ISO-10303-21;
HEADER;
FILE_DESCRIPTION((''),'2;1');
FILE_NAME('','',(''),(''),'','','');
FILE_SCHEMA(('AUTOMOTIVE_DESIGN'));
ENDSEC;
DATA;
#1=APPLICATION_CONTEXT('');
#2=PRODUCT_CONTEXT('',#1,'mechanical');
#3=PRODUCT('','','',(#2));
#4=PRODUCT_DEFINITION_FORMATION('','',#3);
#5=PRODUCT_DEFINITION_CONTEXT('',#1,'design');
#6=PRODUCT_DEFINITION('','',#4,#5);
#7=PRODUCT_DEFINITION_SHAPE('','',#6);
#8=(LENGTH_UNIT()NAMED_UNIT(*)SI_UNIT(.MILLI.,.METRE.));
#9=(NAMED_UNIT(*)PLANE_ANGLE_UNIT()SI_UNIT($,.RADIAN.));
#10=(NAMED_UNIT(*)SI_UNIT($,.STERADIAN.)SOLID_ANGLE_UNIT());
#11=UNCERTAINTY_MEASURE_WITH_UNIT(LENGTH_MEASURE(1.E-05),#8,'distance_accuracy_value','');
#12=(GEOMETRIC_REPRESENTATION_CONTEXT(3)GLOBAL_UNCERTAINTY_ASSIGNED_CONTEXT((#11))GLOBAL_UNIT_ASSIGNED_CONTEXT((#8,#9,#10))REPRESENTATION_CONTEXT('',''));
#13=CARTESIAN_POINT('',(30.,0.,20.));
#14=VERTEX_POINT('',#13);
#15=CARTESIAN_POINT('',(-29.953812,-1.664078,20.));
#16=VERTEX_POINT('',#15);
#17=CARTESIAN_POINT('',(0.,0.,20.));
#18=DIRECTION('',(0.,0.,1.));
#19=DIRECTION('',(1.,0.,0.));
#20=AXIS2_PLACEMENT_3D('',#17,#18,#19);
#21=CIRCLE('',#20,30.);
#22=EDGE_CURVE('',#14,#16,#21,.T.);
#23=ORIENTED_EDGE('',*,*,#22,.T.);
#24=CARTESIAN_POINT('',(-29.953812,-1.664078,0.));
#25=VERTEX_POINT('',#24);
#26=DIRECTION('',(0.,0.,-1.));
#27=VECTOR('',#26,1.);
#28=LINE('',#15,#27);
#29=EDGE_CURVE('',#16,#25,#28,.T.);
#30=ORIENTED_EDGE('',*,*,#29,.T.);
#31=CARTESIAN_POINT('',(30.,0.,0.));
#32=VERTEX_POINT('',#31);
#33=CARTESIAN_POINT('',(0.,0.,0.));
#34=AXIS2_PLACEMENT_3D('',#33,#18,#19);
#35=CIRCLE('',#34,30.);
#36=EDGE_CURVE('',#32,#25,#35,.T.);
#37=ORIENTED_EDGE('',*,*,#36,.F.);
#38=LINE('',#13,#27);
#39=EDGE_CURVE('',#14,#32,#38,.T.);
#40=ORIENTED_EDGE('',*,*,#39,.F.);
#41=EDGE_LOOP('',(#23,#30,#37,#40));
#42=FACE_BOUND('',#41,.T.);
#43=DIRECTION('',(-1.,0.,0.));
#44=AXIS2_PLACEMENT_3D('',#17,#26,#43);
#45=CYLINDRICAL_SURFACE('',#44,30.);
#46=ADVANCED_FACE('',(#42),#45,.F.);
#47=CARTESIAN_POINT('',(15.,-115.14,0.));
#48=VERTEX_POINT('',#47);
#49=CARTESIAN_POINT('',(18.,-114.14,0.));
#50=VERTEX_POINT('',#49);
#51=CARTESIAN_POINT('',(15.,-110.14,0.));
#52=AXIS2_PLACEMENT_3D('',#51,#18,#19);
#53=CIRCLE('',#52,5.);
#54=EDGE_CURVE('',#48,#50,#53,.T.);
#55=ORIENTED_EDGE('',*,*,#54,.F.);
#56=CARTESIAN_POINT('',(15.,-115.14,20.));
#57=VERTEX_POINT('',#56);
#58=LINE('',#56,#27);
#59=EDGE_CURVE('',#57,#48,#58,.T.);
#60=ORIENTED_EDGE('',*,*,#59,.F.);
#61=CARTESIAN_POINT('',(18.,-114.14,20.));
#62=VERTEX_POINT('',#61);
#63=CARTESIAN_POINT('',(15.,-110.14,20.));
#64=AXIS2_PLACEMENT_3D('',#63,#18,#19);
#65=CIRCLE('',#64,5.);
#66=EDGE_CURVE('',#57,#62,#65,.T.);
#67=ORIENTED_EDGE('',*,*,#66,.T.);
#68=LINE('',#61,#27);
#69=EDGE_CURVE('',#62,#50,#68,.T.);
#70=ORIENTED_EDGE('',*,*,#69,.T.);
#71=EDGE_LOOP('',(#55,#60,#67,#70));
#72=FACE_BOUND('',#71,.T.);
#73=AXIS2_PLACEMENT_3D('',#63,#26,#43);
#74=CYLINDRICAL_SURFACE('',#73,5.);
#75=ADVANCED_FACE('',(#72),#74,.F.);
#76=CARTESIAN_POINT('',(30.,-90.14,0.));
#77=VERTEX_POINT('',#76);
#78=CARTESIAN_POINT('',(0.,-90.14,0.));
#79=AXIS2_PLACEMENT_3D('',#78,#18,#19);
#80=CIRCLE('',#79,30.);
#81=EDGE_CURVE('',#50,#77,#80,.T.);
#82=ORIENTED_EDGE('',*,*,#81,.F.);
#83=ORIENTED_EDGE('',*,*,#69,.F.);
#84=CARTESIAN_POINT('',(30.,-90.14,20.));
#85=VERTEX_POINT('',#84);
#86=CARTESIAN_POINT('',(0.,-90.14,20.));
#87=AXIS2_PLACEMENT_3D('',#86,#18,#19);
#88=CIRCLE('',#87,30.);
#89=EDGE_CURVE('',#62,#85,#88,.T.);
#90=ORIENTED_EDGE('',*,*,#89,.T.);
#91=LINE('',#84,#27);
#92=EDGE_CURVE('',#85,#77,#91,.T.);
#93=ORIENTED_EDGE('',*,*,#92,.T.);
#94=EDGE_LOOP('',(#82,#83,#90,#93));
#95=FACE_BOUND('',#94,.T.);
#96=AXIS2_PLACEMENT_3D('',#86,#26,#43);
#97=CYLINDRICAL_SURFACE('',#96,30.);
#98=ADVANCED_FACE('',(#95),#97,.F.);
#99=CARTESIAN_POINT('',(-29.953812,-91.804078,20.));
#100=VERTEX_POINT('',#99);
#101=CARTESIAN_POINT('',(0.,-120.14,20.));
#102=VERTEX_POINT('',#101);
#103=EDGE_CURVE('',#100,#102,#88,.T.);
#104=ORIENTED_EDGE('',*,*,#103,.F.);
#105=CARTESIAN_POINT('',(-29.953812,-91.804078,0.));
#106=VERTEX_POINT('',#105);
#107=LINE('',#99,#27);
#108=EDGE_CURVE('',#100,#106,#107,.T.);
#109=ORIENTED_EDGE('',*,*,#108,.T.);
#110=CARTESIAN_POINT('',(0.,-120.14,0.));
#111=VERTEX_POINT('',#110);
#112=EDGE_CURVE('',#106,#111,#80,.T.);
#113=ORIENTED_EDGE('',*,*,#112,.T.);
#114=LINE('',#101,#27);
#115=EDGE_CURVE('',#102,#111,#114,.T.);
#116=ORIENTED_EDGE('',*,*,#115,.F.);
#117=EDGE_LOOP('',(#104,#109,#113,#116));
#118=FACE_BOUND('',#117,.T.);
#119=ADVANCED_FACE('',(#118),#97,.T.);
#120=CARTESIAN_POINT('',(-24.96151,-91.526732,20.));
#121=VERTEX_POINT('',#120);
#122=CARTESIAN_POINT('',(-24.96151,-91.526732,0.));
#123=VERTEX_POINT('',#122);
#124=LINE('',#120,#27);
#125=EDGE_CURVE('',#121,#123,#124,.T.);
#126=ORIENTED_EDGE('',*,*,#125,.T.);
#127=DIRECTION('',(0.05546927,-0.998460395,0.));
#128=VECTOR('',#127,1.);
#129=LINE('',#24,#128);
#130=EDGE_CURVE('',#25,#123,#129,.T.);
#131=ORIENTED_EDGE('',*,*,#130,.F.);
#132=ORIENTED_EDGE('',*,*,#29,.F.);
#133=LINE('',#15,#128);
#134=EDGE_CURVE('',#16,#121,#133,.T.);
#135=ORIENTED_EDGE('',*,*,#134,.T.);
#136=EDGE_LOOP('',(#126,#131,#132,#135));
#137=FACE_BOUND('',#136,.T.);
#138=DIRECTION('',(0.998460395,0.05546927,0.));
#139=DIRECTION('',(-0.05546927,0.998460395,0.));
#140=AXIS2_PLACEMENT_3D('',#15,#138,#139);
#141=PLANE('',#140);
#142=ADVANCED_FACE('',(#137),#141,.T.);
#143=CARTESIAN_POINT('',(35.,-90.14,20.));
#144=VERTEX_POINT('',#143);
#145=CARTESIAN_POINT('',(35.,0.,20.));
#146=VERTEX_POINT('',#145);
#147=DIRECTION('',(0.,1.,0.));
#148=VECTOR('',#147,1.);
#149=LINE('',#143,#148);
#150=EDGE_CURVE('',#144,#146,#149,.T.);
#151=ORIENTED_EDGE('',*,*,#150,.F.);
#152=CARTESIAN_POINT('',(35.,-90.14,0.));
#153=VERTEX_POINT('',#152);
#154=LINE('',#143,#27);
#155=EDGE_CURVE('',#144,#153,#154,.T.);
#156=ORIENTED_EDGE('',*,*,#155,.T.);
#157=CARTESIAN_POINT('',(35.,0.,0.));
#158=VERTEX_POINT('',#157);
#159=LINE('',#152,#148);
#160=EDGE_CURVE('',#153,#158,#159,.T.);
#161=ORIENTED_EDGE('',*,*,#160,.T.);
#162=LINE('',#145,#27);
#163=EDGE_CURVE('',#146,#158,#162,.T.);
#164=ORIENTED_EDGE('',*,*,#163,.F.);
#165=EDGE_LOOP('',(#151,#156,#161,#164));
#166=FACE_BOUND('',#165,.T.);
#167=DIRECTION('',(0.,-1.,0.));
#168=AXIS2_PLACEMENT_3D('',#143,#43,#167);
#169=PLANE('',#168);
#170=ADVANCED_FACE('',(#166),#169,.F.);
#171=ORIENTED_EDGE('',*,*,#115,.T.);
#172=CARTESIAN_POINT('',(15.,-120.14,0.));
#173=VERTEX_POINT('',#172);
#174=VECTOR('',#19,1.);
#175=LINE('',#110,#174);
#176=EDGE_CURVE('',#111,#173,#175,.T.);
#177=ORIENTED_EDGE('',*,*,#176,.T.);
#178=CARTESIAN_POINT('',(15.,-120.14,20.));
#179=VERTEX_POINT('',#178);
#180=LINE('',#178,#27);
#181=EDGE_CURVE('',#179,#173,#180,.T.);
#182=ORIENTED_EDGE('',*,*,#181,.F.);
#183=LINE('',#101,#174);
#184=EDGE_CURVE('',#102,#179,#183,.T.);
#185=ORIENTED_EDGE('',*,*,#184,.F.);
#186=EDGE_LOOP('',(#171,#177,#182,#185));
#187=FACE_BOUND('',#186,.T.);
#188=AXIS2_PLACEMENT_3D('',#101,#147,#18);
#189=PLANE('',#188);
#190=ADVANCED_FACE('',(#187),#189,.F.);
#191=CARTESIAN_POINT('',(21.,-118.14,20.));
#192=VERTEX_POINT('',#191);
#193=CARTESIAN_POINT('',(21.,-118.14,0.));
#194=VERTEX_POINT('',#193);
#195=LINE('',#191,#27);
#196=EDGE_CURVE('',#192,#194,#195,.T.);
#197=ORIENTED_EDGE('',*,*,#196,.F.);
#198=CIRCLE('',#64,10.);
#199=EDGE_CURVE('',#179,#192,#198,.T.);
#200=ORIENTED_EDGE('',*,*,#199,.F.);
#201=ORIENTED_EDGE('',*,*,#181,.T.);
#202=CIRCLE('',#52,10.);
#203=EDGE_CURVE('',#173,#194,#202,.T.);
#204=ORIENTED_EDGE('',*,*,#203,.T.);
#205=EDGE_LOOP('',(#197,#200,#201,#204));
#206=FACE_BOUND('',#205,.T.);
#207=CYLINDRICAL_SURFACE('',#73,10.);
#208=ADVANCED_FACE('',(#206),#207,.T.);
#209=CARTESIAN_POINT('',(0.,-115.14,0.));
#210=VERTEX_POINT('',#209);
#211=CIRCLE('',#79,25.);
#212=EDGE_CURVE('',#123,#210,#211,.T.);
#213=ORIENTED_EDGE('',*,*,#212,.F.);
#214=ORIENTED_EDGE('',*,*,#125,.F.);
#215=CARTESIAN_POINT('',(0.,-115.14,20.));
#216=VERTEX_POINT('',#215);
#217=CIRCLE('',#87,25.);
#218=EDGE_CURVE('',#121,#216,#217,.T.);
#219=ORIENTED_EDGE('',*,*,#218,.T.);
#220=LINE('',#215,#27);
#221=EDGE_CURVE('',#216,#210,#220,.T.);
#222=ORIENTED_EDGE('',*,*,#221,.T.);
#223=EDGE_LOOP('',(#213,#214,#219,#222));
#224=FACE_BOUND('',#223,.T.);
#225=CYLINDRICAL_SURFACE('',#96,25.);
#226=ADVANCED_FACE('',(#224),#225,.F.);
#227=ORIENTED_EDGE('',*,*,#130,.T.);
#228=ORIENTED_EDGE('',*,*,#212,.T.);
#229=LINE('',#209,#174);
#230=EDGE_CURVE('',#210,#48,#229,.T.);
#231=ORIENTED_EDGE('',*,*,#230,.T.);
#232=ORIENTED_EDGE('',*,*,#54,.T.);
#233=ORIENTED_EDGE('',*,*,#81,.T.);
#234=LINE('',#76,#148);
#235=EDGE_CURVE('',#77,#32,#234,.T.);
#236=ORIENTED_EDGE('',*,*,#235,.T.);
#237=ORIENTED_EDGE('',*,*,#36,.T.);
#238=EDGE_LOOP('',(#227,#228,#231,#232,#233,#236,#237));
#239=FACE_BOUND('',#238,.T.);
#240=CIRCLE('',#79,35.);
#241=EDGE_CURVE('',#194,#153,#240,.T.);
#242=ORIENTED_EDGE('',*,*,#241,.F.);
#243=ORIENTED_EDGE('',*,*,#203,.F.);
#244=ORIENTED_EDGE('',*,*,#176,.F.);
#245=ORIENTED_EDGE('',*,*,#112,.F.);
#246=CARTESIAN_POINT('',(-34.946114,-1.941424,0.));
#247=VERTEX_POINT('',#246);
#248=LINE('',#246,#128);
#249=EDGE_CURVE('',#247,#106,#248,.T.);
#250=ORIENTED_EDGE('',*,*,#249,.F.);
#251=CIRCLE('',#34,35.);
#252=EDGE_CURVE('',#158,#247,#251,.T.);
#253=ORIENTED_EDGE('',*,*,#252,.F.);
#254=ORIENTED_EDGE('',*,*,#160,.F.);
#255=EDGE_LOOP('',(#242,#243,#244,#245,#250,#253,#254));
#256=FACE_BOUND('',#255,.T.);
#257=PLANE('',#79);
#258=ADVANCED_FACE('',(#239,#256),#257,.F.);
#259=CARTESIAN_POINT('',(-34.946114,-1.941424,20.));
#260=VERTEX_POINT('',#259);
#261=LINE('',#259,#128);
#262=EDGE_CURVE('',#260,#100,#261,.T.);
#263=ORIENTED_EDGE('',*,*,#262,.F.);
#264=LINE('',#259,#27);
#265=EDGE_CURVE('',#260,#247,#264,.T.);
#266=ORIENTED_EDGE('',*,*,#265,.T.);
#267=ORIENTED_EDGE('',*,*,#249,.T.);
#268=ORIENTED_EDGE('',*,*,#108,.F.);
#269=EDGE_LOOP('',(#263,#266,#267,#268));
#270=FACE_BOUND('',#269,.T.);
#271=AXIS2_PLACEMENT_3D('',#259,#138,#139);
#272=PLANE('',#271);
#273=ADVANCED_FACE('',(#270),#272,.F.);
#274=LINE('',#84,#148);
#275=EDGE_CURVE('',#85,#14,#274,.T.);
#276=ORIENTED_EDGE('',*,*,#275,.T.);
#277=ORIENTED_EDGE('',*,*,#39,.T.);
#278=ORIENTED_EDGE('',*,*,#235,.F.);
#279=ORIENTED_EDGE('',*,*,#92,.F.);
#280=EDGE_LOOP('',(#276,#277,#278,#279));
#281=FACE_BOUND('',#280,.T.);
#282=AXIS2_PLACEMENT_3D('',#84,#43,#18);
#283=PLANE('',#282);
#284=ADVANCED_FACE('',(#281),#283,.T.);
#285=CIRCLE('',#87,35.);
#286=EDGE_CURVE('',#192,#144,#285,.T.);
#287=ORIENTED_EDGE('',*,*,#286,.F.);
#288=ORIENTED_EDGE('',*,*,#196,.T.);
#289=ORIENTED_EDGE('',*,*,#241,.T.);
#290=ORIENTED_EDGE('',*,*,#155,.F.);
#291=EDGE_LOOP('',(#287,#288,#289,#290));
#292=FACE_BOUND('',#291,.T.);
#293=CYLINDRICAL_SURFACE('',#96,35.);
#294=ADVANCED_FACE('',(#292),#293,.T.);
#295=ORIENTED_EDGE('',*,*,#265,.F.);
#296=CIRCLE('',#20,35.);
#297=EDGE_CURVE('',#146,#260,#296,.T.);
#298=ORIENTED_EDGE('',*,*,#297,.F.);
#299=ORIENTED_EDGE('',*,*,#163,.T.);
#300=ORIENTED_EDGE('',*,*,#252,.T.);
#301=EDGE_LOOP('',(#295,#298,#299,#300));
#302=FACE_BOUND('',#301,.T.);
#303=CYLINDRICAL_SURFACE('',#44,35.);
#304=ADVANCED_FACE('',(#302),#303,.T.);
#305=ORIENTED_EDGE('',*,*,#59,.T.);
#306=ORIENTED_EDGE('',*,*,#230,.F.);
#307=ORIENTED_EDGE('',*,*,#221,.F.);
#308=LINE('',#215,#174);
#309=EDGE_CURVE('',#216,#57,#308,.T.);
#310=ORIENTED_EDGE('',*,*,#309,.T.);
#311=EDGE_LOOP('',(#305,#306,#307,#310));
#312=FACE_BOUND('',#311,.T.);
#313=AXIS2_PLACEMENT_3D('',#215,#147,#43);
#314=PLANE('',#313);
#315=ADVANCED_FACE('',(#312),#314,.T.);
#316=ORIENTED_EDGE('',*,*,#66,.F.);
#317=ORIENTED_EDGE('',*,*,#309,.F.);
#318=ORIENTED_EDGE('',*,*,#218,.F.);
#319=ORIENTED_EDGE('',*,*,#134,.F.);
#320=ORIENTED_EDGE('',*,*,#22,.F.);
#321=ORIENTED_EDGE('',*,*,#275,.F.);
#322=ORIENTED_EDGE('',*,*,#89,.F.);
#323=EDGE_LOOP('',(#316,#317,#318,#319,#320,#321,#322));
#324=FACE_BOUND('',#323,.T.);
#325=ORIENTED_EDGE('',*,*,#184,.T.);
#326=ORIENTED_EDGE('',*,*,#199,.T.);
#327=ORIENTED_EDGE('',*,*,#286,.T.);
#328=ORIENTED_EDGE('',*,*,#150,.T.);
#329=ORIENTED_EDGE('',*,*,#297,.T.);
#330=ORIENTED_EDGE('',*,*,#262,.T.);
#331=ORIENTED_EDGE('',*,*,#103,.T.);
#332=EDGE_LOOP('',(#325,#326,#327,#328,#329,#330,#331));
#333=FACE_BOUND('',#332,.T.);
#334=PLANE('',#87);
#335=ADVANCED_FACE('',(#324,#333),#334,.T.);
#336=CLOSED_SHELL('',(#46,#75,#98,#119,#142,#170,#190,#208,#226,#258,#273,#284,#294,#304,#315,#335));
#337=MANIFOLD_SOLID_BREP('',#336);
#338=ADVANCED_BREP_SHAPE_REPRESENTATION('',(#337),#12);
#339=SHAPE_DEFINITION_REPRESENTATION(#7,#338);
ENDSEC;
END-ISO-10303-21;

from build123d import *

# Parameters (mm, degrees)
BOSS_EXTRUDE1_DEPTH = 20


with BuildPart() as part:
    # Sketch1 → Boss-Extrude1 (new body)
    with BuildSketch(Plane.XY):
        with BuildLine():
            Line((35, -90.14), (35, 0))
            ThreePointArc((35, 0), (-0.97108607, 34.986525861), (-34.94611382, -1.941424451))
            Line((-34.94611382, -1.941424451), (-29.953811845, -91.804078101))
            ThreePointArc((-29.953811845, -91.804078101), (-20.616469836, -111.933603913), (0, -120.14))
            Line((0, -120.14), (15, -120.14))
            ThreePointArc((15, -120.14), (18.16227766, -119.626832981), (21, -118.14))
            ThreePointArc((21, -118.14), (31.304951685, -105.792475842), (35, -90.14))
        make_face()
        with BuildLine():
            Line((30, -90.14), (30, 0))
            ThreePointArc((30, 0), (-0.832359488, 29.988450738), (-29.953811845, -1.664078101))
            Line((-29.953811845, -1.664078101), (-24.961509871, -91.526731751))
            ThreePointArc((-24.961509871, -91.526731751), (-17.18039153, -108.301336594), (0, -115.14))
            Line((0, -115.14), (15, -115.14))
            ThreePointArc((15, -115.14), (16.58113883, -114.88341649), (18, -114.14))
            ThreePointArc((18, -114.14), (26.83281573, -103.556407865), (30, -90.14))
        make_face(mode=Mode.SUBTRACT)
    extrude(amount=BOSS_EXTRUDE1_DEPTH)


solid = part.part
